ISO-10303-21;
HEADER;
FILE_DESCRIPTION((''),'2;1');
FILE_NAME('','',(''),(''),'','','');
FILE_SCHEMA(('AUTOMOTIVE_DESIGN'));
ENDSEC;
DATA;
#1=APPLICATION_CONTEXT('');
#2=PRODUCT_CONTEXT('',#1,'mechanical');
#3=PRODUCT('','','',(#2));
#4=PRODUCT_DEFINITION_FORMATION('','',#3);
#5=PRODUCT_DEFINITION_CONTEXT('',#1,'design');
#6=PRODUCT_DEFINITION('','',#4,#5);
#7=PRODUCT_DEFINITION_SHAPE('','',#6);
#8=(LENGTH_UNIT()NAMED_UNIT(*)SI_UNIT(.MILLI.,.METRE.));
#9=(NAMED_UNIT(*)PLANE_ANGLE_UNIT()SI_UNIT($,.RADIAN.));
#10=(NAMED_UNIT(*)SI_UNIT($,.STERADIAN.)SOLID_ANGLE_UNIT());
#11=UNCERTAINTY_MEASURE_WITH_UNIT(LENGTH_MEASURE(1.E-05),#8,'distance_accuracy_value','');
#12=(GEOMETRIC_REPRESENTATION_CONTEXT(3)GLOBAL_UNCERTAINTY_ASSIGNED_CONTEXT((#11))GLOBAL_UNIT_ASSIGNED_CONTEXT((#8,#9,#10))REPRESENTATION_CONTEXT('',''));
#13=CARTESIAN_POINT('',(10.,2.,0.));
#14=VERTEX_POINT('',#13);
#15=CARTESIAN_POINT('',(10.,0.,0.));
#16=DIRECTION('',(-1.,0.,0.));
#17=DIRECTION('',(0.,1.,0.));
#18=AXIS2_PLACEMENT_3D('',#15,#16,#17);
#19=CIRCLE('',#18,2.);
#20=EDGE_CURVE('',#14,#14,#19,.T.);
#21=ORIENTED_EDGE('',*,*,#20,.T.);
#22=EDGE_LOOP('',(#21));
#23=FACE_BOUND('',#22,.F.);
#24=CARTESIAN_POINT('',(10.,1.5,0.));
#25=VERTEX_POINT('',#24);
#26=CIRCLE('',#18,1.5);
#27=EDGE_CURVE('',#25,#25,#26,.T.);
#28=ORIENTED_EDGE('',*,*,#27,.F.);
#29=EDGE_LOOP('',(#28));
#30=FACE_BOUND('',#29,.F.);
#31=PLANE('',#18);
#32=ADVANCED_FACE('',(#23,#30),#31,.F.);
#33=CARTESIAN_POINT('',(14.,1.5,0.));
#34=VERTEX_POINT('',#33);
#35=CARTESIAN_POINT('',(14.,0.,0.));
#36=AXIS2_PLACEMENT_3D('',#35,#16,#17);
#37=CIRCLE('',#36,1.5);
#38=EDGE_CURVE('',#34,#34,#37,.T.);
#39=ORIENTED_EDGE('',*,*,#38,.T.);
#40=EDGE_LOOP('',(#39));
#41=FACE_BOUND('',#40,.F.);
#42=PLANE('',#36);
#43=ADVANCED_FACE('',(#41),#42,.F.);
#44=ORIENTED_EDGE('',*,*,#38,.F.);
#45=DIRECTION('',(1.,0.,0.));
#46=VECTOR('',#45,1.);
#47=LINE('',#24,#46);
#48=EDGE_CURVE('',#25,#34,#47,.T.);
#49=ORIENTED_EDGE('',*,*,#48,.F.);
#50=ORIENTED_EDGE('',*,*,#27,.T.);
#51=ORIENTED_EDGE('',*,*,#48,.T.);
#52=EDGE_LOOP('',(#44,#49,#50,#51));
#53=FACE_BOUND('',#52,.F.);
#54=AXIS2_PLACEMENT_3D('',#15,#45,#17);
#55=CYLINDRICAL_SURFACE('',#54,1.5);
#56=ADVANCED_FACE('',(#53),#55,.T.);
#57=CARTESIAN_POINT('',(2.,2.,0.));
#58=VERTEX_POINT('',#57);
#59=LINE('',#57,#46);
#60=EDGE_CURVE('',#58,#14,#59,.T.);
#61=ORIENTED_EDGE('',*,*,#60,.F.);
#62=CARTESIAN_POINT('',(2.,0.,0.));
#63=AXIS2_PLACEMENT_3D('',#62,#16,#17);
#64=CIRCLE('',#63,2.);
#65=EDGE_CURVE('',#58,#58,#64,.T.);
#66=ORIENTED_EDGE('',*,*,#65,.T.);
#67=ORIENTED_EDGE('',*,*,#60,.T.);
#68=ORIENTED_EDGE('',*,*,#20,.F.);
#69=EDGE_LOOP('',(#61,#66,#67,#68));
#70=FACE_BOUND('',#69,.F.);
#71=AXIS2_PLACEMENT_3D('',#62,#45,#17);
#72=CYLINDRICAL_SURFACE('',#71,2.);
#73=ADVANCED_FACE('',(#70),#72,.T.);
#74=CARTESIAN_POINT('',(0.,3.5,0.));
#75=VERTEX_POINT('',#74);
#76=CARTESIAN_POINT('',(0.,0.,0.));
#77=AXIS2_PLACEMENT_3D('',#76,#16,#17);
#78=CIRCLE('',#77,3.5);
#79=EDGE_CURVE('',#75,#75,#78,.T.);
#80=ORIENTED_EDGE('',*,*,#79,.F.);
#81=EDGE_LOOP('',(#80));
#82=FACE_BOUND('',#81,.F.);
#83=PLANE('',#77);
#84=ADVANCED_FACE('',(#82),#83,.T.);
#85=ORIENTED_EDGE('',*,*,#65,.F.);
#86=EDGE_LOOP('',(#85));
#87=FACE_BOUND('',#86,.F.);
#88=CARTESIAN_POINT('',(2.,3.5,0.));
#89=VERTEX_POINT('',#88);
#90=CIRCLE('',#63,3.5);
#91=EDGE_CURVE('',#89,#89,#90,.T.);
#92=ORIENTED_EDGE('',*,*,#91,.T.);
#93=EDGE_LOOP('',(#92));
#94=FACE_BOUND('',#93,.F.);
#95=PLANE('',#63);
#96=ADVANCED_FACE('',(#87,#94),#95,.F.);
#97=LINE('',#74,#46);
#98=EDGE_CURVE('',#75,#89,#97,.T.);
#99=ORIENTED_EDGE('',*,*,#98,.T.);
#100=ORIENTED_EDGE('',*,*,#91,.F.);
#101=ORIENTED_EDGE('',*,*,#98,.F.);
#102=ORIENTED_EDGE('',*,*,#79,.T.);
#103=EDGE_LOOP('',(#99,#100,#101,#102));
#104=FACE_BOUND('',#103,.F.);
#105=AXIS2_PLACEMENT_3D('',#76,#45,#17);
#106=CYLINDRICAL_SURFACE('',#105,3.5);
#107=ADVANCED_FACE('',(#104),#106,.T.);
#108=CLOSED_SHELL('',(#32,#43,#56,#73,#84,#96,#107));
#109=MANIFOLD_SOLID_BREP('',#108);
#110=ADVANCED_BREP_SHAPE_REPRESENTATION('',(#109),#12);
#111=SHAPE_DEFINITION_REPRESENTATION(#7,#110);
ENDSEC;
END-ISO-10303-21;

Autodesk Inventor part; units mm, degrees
ref_plane "YZ Plane" through (0, 0, 0) normal (1, 0, 0) x (0, 1, 0)
ref_plane "XZ Plane" through (0, 0, 0) normal (0, 1, 0) x (-1, 0, 0)
ref_plane "XY Plane" through (0, 0, 0) normal (0, 0, 1) x (1, 0, 0)
sketch "Sketch1" plane through (0, 0, 0) normal (0, 0, 1) x (1, 0, 0)
  line L0 (0, 0) -> (0, 3.5)
  line L1 (0, 3.5) -> (2, 3.5)
  line L2 (2, 3.5) -> (2, 2)
  line L3 (2, 2) -> (10, 2)
  line L4 (10, 2) -> (10, 1.5)
  line L5 (10, 1.5) -> (14, 1.5)
  line L6 (14, 1.5) -> (14, 0)
  line L7 (14, 0) -> (0, 0)
  dimension "d0" = 2
  dimension "d1" = 8
  dimension "d2" = 4
  dimension "d3" = 3
  dimension "d4" = 4
  dimension "d5" = 7
revolve "Revolution1" add sketch "Sketch1" angle 360 about axis through (14, 0, 0) along (-1, 0, 0)
thread "Thread1" size "M3x0.5" class "6g" standard "ISO Metric profile" full length
properties part number "1 part ß3"
